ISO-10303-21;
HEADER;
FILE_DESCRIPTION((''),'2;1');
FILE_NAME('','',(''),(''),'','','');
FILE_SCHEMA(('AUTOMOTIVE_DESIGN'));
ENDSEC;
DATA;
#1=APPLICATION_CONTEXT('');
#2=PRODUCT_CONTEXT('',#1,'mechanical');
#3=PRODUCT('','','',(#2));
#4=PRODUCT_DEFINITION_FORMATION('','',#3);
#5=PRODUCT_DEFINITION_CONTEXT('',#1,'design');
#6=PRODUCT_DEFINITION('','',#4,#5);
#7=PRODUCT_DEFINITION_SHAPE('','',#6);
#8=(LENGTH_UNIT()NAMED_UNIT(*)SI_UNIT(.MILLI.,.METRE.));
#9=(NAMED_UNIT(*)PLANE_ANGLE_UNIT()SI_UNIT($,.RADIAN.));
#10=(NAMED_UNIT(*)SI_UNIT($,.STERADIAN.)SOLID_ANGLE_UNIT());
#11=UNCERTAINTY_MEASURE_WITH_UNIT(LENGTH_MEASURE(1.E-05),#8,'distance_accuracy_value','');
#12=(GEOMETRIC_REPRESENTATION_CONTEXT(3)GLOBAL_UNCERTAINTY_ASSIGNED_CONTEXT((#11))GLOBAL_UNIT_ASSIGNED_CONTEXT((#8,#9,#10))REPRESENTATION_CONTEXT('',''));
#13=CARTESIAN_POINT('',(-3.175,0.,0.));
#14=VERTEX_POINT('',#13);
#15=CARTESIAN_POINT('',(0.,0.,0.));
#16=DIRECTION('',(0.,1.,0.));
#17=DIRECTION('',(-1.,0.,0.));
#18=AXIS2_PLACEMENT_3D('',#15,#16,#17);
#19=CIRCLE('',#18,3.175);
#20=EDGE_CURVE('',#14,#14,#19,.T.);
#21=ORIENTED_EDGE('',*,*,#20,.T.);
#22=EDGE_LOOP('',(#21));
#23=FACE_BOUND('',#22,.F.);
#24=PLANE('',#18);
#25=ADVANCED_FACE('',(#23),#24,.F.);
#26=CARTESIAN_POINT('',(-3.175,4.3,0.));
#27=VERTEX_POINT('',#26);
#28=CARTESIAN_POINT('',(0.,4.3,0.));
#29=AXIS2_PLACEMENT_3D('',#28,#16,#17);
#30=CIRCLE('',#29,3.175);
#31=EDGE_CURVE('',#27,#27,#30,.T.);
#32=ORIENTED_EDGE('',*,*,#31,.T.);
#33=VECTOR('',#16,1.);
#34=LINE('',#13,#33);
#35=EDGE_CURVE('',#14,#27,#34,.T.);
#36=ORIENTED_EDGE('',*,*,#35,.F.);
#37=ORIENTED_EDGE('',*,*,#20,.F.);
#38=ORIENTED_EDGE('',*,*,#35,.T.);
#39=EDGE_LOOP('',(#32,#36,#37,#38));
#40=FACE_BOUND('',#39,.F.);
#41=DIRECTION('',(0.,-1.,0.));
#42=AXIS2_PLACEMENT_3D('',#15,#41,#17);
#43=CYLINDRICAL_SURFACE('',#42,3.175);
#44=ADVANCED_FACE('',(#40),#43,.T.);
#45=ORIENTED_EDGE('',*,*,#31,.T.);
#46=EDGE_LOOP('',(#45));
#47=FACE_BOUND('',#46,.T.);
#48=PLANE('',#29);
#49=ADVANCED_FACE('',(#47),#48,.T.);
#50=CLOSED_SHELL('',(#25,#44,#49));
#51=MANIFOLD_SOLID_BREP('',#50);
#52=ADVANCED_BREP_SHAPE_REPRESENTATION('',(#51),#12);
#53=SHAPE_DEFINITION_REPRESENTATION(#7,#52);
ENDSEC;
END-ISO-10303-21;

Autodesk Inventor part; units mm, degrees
ref_plane "YZ Plane" through (0, 0, 0) normal (1, 0, 0) x (0, 1, 0)
ref_plane "XZ Plane" through (0, 0, 0) normal (0, 1, 0) x (-1, 0, 0)
ref_plane "XY Plane" through (0, 0, 0) normal (0, 0, 1) x (1, 0, 0)
sketch "Sketch1" plane through (0, 0, 0) normal (0, 1, 0) x (-1, 0, 0)
  circle A0 centre (0, 0) radius 3.175
  dimension "d1" = 6.35
extrude "Extrusion1" add sketch "Sketch1" along normal blind 4.3
properties part number "Green Filter"
